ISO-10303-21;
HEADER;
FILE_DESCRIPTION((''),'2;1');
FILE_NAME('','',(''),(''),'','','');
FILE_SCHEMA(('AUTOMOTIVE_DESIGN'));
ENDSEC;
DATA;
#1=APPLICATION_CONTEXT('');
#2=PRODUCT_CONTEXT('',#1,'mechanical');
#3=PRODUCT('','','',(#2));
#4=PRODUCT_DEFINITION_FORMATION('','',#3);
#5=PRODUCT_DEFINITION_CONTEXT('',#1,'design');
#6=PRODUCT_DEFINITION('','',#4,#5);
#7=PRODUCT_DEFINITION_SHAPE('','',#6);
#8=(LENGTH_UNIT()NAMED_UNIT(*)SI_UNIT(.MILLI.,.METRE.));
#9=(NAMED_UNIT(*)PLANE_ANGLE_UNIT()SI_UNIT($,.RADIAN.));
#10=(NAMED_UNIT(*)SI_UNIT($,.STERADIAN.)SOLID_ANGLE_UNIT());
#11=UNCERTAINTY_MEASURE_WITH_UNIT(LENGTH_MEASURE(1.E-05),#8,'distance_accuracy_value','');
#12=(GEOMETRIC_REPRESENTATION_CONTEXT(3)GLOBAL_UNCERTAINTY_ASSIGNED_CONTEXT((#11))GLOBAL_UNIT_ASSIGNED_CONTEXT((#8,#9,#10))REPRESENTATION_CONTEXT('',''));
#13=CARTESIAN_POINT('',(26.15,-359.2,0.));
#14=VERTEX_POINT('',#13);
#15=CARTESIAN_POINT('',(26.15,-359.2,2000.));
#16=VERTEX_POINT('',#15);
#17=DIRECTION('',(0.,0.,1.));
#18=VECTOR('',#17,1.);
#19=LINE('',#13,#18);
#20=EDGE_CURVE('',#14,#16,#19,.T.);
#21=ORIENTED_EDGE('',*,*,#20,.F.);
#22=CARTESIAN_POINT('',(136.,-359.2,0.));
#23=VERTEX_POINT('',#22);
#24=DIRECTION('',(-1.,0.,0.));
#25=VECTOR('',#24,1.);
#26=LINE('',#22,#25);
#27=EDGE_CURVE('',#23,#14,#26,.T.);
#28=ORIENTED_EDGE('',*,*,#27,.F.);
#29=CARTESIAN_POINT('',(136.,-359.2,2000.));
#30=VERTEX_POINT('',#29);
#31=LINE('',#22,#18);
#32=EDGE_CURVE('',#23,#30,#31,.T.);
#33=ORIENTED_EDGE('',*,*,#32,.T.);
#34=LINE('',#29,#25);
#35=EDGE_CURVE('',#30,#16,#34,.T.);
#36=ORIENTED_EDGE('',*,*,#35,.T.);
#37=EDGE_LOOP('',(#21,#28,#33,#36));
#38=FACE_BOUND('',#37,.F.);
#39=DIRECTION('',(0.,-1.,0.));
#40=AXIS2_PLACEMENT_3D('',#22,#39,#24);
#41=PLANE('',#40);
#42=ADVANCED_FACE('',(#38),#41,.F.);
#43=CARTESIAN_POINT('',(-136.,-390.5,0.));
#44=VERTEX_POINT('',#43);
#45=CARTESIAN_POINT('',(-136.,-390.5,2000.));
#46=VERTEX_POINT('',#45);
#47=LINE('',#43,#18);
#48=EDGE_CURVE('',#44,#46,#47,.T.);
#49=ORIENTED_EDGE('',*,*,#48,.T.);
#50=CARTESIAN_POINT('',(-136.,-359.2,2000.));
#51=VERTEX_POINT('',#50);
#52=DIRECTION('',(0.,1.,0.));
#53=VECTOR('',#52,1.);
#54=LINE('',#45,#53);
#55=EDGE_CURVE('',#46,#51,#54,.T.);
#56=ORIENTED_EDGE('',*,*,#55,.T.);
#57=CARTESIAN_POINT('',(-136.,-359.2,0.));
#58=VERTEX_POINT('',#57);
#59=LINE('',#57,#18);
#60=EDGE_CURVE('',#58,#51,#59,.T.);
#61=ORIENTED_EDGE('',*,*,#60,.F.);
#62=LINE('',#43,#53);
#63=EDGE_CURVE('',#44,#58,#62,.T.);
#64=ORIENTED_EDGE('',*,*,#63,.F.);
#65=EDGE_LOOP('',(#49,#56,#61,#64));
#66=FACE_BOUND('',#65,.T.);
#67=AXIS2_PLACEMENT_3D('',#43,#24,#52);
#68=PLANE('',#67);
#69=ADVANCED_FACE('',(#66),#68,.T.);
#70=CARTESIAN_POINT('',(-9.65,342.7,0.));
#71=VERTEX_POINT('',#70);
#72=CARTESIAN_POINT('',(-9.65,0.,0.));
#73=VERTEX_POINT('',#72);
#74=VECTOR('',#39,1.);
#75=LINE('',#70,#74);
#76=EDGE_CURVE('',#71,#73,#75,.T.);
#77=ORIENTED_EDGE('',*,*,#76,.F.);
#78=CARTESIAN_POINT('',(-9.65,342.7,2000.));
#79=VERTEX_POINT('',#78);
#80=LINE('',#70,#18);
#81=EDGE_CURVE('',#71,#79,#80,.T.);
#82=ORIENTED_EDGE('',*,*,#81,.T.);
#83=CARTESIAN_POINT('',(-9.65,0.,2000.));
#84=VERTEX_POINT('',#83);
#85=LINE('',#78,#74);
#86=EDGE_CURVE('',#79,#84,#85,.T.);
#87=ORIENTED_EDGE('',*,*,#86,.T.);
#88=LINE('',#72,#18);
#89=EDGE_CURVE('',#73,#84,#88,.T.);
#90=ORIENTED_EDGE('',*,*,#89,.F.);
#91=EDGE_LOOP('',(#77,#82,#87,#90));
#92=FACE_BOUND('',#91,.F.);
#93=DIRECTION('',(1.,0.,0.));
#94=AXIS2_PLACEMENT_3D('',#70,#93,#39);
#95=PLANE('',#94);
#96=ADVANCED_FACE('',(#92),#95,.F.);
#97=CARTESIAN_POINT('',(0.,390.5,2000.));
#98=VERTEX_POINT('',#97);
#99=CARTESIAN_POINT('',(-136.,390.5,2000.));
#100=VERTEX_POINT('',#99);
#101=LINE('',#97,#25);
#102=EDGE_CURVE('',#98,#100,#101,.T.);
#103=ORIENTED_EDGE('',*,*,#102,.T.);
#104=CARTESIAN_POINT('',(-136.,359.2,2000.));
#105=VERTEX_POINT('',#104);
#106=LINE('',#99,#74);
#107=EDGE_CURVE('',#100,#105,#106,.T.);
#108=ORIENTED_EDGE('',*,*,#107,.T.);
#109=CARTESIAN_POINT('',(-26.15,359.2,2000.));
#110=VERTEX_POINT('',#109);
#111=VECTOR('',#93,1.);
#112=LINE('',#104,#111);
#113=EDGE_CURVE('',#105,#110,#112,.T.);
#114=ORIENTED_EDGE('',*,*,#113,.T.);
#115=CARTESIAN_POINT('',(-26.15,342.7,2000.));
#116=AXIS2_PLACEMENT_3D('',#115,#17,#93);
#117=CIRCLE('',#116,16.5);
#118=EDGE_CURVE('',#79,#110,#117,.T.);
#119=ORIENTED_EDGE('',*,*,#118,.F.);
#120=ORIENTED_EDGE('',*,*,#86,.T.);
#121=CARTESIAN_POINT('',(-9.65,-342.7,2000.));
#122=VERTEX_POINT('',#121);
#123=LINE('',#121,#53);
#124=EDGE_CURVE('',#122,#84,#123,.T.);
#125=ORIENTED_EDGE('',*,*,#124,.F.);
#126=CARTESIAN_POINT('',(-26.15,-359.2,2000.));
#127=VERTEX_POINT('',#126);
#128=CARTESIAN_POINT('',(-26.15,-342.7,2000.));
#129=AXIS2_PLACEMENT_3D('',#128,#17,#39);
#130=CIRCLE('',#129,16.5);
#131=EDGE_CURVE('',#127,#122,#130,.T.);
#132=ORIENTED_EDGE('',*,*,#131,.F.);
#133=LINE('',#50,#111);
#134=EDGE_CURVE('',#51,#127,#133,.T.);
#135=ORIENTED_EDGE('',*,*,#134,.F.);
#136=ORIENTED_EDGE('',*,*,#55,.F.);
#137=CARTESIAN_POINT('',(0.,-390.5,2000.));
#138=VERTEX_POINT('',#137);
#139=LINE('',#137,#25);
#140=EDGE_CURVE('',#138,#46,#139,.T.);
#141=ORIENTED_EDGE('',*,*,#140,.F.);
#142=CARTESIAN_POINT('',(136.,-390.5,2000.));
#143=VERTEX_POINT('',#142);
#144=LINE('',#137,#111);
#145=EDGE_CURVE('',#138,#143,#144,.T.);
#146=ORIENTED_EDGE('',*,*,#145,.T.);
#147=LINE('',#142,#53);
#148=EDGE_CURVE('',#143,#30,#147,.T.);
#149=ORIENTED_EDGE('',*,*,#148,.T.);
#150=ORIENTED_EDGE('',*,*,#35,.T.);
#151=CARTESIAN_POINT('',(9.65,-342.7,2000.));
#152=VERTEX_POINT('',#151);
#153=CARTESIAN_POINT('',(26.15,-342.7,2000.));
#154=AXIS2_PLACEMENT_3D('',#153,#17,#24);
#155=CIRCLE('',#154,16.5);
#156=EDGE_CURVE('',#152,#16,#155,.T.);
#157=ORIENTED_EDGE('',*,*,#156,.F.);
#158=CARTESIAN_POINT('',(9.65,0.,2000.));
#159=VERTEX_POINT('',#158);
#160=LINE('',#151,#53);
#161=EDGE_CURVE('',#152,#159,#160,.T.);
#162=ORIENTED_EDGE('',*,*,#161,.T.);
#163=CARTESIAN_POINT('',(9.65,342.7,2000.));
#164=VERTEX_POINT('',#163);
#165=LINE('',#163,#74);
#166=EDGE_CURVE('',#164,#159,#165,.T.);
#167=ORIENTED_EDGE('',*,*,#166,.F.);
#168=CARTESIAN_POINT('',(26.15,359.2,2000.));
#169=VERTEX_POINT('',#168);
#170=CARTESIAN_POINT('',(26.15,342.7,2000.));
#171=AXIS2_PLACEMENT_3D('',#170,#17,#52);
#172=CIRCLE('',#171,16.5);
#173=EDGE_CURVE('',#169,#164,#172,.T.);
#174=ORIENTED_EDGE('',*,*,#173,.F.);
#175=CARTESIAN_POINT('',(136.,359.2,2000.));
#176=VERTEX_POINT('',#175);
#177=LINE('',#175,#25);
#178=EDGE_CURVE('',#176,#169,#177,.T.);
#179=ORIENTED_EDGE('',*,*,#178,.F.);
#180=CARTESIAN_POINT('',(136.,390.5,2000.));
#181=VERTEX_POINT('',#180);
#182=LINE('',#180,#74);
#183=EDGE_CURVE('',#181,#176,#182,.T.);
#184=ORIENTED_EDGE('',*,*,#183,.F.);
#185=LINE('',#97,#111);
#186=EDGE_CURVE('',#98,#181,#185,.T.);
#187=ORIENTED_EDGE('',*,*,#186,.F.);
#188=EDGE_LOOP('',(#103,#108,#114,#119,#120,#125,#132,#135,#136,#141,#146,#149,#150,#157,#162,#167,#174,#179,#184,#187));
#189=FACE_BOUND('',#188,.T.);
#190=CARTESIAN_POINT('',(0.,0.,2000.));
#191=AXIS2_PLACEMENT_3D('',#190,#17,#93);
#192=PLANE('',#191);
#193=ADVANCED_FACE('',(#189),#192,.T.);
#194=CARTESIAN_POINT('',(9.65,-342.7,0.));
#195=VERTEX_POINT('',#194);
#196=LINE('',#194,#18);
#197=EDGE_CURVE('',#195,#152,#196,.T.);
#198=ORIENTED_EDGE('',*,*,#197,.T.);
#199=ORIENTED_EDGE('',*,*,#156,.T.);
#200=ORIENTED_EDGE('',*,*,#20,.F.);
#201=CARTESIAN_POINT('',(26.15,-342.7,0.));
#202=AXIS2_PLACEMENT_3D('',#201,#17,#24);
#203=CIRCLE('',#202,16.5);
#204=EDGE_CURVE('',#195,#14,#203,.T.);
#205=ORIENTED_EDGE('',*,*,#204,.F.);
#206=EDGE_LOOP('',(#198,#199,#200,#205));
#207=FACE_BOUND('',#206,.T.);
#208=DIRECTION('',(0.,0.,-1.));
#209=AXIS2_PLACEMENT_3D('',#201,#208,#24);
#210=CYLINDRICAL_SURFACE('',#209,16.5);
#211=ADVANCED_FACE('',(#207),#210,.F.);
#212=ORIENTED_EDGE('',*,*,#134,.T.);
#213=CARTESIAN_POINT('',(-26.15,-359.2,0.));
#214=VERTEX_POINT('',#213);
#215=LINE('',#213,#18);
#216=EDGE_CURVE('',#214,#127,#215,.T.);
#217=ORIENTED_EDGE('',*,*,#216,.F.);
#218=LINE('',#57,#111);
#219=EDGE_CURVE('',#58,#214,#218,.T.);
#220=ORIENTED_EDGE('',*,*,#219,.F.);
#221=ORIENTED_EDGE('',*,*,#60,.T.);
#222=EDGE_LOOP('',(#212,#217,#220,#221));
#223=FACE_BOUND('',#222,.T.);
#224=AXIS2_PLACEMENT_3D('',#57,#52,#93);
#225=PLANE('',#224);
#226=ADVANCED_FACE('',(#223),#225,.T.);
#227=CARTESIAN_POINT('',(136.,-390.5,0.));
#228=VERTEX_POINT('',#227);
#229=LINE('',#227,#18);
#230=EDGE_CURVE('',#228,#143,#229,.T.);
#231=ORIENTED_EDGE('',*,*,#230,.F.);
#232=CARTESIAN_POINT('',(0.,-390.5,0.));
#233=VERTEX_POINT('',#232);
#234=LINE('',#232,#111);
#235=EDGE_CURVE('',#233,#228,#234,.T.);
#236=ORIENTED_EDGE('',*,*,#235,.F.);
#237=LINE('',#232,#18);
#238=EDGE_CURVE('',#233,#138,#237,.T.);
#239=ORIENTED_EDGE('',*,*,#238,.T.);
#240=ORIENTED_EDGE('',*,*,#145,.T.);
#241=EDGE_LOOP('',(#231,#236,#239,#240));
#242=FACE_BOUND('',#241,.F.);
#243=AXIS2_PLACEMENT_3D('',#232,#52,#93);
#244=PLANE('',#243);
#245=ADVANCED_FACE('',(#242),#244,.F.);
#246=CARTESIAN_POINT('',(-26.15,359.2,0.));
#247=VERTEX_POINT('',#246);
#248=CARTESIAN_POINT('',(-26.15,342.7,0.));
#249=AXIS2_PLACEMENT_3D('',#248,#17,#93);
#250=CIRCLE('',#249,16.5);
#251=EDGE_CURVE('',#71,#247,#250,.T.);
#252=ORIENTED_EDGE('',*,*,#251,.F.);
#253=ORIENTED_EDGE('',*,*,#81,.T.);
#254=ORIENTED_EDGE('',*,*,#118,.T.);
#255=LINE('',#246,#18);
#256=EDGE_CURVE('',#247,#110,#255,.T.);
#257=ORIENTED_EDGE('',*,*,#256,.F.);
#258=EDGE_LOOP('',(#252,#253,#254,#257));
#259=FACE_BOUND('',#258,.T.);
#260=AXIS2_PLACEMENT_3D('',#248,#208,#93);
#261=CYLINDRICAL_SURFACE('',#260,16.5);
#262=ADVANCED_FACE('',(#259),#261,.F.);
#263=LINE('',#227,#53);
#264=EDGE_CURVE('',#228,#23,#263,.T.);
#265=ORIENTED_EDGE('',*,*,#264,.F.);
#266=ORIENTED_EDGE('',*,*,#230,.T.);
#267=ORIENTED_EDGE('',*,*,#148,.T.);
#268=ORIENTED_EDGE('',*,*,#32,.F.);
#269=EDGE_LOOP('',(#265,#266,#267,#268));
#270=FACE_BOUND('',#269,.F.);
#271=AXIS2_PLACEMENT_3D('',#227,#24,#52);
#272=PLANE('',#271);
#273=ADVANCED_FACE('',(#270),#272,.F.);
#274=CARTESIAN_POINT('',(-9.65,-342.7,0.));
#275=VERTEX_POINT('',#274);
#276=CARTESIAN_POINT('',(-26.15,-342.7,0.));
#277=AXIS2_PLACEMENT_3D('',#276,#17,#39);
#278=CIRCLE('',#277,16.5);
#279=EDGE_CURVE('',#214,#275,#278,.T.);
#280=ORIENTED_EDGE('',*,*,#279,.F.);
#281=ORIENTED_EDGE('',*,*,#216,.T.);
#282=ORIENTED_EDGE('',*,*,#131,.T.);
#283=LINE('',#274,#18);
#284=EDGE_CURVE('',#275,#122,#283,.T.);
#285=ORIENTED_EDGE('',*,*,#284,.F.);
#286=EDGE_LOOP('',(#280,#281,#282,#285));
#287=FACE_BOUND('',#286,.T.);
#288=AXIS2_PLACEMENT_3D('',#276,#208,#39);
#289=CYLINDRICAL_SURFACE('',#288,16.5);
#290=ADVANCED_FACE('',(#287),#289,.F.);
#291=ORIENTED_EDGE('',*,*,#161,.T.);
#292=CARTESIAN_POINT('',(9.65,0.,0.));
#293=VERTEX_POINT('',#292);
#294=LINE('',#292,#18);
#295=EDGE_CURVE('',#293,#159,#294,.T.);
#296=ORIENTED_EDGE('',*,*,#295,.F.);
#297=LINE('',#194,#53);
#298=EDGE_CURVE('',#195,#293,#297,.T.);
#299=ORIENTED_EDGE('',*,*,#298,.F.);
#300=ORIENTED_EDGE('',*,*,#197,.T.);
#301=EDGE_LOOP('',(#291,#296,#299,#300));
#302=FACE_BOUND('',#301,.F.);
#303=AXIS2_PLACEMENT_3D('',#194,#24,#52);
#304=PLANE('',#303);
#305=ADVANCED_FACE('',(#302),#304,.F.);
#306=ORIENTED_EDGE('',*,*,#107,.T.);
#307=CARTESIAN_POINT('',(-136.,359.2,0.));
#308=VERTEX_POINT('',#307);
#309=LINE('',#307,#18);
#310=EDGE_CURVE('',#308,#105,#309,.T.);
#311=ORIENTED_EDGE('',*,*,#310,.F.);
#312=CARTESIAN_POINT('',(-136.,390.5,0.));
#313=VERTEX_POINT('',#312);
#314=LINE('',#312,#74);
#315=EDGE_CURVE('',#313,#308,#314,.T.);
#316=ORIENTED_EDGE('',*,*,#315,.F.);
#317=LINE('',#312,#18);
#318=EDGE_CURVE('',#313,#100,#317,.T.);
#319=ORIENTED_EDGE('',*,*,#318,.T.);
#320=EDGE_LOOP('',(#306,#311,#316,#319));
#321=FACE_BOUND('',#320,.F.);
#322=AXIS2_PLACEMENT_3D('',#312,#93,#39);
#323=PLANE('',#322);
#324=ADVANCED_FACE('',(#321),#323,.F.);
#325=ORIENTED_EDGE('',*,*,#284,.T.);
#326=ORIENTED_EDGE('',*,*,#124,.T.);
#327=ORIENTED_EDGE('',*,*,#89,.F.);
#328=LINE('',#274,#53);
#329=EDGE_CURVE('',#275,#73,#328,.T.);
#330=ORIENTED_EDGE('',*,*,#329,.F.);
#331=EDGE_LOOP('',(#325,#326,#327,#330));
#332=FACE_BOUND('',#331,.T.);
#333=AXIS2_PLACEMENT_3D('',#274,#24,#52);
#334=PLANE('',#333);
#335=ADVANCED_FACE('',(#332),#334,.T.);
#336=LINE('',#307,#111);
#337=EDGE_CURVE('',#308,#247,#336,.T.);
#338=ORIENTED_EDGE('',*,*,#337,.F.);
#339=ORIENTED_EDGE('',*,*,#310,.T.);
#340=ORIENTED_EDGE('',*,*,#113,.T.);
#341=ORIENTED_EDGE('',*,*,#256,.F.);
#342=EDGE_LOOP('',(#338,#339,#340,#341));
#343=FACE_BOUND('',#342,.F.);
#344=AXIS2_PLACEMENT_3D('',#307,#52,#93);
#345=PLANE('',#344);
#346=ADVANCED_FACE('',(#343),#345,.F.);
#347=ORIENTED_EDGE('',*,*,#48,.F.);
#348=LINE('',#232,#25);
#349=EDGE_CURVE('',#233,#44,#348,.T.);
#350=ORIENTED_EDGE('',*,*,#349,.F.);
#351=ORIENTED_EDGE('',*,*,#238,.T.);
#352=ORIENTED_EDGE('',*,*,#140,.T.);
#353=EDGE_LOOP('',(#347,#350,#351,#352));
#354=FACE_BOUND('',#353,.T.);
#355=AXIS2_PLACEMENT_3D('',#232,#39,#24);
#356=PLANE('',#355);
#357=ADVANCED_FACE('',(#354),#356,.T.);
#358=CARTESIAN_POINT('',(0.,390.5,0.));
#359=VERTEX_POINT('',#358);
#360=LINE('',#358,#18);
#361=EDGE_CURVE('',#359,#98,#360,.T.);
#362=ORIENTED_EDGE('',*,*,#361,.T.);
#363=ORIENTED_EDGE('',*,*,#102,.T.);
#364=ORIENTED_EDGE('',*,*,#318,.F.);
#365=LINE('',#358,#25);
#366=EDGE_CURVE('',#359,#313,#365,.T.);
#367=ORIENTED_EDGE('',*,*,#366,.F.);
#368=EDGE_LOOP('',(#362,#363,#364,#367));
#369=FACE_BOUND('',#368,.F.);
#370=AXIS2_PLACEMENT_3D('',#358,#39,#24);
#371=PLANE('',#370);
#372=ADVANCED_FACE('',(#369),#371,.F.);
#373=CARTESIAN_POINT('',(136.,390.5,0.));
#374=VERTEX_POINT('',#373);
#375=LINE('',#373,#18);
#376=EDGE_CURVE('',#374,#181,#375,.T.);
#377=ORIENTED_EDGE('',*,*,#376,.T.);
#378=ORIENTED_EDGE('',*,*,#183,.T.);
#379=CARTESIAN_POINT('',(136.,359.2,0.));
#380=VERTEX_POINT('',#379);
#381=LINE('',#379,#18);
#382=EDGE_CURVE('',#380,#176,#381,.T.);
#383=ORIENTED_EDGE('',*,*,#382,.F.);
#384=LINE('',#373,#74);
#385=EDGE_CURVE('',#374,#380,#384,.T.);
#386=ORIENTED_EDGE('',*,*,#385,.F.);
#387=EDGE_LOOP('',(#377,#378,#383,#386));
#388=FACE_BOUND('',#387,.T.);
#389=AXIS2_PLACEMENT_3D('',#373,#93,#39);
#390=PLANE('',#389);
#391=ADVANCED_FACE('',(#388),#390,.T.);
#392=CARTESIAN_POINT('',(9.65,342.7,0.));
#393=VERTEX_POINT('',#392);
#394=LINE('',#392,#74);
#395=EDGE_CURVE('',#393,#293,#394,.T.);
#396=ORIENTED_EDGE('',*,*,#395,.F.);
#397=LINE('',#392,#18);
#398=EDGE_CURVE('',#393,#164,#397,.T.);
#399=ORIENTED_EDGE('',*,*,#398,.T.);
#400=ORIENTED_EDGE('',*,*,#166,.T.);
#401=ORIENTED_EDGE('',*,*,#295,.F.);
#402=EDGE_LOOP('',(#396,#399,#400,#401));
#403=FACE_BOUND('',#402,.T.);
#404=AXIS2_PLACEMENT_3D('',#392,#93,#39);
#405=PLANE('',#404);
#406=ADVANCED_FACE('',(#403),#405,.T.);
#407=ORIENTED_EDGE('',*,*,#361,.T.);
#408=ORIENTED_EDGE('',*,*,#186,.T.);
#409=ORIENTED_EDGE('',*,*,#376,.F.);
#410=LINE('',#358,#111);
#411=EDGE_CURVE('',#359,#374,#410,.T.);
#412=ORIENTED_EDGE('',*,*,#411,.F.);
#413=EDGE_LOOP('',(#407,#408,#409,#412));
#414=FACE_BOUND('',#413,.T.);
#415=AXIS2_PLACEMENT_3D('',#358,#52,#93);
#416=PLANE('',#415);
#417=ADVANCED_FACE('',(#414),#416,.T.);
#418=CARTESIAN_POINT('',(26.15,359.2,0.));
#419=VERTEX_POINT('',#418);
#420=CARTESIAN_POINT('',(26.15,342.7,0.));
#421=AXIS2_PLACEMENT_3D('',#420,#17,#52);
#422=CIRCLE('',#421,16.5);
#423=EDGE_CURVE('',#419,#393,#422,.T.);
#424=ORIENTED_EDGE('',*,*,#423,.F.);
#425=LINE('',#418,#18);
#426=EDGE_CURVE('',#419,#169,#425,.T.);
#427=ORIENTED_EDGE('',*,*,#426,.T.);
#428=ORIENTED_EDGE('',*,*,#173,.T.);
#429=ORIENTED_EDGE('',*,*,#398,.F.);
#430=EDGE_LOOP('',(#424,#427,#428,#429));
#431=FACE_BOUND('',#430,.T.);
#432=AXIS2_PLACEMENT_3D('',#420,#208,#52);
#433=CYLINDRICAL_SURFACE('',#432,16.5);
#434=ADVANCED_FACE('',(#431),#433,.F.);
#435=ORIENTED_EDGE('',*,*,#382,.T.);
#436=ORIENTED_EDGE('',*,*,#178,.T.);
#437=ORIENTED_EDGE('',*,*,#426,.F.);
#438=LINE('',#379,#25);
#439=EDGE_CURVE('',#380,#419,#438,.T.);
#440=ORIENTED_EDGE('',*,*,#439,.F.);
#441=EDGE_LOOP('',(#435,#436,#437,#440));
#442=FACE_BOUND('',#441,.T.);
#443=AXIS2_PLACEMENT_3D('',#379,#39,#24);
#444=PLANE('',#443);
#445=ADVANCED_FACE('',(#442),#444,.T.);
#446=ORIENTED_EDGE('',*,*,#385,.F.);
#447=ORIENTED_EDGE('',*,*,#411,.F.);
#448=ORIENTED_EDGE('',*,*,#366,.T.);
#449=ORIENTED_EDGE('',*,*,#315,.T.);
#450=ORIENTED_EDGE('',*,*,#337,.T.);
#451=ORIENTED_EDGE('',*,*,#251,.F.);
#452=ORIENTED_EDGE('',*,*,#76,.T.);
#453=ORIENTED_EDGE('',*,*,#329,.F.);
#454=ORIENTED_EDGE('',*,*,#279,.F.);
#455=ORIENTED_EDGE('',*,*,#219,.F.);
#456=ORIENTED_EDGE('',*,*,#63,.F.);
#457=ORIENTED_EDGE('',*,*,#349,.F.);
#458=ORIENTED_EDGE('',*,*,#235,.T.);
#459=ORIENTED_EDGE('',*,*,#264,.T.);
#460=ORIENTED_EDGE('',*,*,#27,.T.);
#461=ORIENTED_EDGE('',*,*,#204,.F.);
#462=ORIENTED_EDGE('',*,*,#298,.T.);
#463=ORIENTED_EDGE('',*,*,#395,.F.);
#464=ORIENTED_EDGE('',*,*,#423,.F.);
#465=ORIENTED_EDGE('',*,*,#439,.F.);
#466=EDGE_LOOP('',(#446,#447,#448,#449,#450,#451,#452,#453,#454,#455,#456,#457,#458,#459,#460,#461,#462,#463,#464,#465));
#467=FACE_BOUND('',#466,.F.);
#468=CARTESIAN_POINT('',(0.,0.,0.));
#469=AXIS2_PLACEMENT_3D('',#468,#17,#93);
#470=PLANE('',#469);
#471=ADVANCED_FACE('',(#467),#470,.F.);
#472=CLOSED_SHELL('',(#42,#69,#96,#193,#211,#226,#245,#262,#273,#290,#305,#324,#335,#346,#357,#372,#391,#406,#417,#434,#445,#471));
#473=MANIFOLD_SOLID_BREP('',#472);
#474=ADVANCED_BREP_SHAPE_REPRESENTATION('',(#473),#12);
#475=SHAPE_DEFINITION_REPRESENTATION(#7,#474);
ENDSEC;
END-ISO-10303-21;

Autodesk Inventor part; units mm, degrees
ref_plane "YZ Plane" through (0, 0, 0) normal (1, 0, 0) x (0, 1, 0)
ref_plane "Start plane" through (0, 0, 0) normal (0, 0, 1) x (1, 0, 0)
ref_plane "End plane" through (0, 0, 2000) normal (0, 0, 1) x (1, 0, 0)
sketch "Sketch" plane through (0, 0, 0) normal (0, 0, 1) x (1, 0, 0)
  line L0 (-136, -390.5) -> (-136, -359.2)
  line L1 (-136, -359.2) -> (-26.15, -359.2)
  line L2 (-9.65, -342.7) -> (-9.65, 0)
  line L3 (-9.65, 0) -> (0, 0) construction
  line L4 (0, 0) -> (0, -390.5) construction
  line L5 (0, -390.5) -> (-136, -390.5)
  line L6 (-60, 0) -> (80, 0) construction
  line L7 (0, -60) -> (0, 80) construction
  line L8 (136, -390.5) -> (136, -359.2)
  line L9 (136, -359.2) -> (26.15, -359.2)
  line L10 (9.65, -342.7) -> (9.65, 0)
  line L11 (9.65, 0) -> (0, 0) construction
  line L12 (0, -390.5) -> (136, -390.5)
  line L13 (-136, 390.5) -> (-136, 359.2)
  line L14 (-136, 359.2) -> (-26.15, 359.2)
  line L15 (-9.65, 342.7) -> (-9.65, 0)
  line L16 (0, 390.5) -> (-136, 390.5)
  line L17 (136, 390.5) -> (136, 359.2)
  line L18 (136, 359.2) -> (26.15, 359.2)
  line L19 (0, 390.5) -> (136, 390.5)
  line L20 (9.65, 342.7) -> (9.65, 0)
  arc A0 (-9.65, 342.7) -> (-26.15, 359.2) centre (-26.15, 342.7) ccw
  arc A1 (26.15, 359.2) -> (9.65, 342.7) centre (26.15, 342.7) ccw
  arc A2 (9.65, -342.7) -> (26.15, -359.2) centre (26.15, -342.7) ccw
  arc A3 (-26.15, -359.2) -> (-9.65, -342.7) centre (-26.15, -342.7) ccw
  line L21 (0, 108) -> (0, -88) construction
  line L22 (-88, 0) -> (108, 0) construction
  point P0 (-9.65, -359.2)
  point P1 (9.65, -359.2)
  point P2 (-9.65, 359.2)
  point P3 (9.65, 359.2)
  dimension "d1" = 390.5
  dimension "d2" = 31.3
  dimension "d3" = 136
  dimension "d4" = 9.65
  dimension "d10" = 16.5
extrude "Body" add sketch "Sketch" along normal up to surface (2000 mm away) from surface at 0
sketch "Sketch4" plane through (0, 0, 0) normal (0, 0, 1) x (1, 0, 0)
  line L0 (0, 0) -> (10, 0)
ref_plane "Work Plane3" through (0, 0, 0) normal (0, -1, 0) x (1, 0, 0)
sketch "Sketch5" plane through (0, 0, 0) normal (0, -1, 0) x (1, 0, 0)
  line L0 (-2, 0) -> (12, 0) projected
  line L1 (-2, 2000) -> (12, 2000) projected
  dimension "d14" = 2000
equation "\"d1\" = 0.5 * G_H"
equation "\"d2\" = G_T1"
equation "\"d3\" = 0.5 * G_W"
equation "\"d4\" = 0.5 * G_T"
equation "\"d10\" = G_IR"
equation "\"d5\" = G_L"
equation "\"G_W\" = 272"
equation "\"G_H\" = 781"
equation "\"G_T\" = 19.3"
equation "\"G_T1\" = 31.3"
equation "\"G_IR\" = 16.5"
equation "\"G_L\" = d14"
equation "\"G_OFFSET_START\" = 0"
equation "\"G_OFFSET_END\" = 0"
properties part number "AS 3679-1990 - 760 UB - 244 - 2000" material "Steel, Mild"
